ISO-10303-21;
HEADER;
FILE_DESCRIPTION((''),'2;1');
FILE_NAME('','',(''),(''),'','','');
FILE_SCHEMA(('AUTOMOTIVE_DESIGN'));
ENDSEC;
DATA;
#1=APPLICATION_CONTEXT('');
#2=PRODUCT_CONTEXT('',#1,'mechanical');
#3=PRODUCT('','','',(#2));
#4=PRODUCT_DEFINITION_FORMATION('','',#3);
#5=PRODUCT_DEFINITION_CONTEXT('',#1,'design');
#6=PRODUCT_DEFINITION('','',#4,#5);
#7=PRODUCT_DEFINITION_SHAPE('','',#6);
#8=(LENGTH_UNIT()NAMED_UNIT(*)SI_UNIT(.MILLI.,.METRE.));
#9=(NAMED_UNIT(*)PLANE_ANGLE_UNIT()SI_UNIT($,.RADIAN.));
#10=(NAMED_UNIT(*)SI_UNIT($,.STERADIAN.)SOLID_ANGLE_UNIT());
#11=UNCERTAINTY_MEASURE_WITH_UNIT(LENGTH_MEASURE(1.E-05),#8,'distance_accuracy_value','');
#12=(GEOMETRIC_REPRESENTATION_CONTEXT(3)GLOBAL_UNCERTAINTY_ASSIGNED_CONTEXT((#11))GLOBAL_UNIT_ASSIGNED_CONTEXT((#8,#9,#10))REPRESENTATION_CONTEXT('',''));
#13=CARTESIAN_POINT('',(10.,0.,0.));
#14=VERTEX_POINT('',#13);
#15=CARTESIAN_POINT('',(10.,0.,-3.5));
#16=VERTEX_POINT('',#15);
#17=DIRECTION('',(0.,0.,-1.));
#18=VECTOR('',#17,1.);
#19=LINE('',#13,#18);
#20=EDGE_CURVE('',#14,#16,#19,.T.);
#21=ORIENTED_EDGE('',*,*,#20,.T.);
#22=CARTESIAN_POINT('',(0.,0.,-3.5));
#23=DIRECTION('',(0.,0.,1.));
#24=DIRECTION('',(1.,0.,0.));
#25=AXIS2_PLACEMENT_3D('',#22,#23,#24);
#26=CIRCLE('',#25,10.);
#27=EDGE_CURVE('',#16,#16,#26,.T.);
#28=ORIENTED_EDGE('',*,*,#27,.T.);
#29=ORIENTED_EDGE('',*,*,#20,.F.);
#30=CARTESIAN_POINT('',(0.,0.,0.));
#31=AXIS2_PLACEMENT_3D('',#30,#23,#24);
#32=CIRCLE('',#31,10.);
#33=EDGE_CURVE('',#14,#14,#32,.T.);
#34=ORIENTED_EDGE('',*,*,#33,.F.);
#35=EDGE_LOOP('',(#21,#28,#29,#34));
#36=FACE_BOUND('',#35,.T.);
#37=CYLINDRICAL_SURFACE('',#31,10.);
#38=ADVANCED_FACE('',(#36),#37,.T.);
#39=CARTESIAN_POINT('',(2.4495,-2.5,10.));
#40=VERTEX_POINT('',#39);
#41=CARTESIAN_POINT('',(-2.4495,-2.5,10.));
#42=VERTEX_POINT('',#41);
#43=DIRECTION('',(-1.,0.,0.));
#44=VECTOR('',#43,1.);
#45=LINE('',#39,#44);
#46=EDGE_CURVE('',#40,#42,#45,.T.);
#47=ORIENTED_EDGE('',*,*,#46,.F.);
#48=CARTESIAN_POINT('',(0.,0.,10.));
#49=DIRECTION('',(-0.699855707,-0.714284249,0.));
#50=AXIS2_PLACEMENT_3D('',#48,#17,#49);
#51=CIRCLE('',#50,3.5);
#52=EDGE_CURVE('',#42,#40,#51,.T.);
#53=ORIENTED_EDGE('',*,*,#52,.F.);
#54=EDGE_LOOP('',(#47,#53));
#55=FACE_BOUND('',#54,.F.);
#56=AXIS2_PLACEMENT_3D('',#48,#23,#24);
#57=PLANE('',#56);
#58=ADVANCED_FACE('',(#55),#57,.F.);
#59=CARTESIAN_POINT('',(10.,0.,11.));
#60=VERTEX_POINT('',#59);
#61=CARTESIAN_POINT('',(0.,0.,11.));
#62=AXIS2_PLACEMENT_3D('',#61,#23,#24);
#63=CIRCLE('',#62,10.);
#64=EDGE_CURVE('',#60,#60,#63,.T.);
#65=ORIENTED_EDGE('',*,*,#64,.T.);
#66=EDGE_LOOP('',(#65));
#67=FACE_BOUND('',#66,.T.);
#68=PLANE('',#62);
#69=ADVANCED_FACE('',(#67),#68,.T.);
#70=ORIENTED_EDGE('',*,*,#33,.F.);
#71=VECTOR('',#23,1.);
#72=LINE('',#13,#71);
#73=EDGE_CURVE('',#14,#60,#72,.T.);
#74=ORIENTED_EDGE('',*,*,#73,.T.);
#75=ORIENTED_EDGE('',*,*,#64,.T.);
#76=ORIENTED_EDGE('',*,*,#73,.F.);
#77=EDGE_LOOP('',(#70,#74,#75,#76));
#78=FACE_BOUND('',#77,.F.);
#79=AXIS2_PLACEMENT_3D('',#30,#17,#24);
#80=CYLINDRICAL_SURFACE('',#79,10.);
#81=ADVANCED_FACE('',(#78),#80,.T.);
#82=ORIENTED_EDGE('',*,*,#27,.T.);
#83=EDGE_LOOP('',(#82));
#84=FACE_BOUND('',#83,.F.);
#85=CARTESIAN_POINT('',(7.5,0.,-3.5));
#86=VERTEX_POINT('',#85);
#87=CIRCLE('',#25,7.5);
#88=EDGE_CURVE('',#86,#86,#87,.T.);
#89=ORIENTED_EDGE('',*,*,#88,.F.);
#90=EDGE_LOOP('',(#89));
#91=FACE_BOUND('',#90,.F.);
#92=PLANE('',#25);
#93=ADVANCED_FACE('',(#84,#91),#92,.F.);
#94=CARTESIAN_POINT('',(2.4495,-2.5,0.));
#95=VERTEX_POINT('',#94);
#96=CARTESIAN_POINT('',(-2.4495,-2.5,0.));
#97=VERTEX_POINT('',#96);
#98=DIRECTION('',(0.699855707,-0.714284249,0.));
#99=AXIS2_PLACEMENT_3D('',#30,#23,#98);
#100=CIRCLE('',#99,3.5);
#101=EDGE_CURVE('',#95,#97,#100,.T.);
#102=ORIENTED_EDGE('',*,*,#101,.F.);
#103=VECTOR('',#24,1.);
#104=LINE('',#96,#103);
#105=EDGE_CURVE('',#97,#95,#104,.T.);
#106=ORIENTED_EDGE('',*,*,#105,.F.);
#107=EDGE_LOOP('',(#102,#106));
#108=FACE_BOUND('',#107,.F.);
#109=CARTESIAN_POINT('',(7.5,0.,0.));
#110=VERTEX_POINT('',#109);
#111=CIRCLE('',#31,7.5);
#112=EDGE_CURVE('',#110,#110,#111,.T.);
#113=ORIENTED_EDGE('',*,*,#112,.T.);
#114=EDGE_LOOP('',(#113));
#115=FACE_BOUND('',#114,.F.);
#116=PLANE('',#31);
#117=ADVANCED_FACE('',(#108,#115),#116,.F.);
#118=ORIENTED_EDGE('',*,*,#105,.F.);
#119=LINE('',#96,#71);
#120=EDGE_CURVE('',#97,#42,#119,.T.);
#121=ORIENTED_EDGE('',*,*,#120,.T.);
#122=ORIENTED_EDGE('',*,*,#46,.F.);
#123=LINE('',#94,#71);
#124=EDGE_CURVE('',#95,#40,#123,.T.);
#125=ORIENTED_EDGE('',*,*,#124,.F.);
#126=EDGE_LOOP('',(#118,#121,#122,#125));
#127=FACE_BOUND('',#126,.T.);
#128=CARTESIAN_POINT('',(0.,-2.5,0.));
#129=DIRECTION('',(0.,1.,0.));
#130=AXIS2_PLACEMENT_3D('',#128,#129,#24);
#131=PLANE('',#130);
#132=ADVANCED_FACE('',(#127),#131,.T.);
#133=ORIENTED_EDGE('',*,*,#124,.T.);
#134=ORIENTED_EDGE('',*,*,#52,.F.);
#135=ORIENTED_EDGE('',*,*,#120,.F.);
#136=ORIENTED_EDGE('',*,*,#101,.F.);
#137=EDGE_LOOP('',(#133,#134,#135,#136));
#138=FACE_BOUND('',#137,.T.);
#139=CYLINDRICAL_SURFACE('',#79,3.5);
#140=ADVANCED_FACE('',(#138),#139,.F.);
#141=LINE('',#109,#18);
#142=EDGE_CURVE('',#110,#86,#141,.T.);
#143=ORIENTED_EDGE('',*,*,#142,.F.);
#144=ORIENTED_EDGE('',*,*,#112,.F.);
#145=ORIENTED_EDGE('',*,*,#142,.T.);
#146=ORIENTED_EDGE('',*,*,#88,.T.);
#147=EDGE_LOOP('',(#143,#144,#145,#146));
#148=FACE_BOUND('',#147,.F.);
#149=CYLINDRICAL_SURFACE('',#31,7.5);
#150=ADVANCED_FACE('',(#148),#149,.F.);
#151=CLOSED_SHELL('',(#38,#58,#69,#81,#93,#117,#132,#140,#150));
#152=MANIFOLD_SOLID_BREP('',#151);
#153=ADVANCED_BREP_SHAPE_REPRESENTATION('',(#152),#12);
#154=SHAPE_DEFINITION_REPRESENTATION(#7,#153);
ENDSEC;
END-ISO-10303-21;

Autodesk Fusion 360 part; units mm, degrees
sketch "Sketch1" plane through (0, 0, 0) normal (0, 0, 1) x (1, 0, 0)
  circle A0 centre (0, 0) radius 10
  circle A1 centre (0, 0) radius 3.5
  line L0 (0, 3.5) -> (0, -2.5)
  line L1 (0, -2.5) -> (2.4495, -2.5)
  line L2 (0, -2.5) -> (-2.4495, -2.5)
  circle A2 centre (0, 0) radius 7.5
  dimension "d1" = 20
  dimension "d2" = 7
extrude "Extrude1" add sketch "Sketch1" along normal blind 12 contours A0 | A1 L0 L1 | A1 L0 L2 | A1 L1 L2 | A2
extrude "Extrude2" cut sketch "Sketch1" along normal blind 10 contours A1 L0 L1 | A1 L0 L2
sketch "Sketch2" plane through (0, 0, 0) normal (0, 0, 1) x (1, 0, 0)
extrude "Extrude3" cut 1 faces at (2.3712, -3.5556, 12) along direction (0, 0, -1) blind 1
extrude "Extrude4" add sketch "Sketch1" against normal blind 3.5 contours A0
